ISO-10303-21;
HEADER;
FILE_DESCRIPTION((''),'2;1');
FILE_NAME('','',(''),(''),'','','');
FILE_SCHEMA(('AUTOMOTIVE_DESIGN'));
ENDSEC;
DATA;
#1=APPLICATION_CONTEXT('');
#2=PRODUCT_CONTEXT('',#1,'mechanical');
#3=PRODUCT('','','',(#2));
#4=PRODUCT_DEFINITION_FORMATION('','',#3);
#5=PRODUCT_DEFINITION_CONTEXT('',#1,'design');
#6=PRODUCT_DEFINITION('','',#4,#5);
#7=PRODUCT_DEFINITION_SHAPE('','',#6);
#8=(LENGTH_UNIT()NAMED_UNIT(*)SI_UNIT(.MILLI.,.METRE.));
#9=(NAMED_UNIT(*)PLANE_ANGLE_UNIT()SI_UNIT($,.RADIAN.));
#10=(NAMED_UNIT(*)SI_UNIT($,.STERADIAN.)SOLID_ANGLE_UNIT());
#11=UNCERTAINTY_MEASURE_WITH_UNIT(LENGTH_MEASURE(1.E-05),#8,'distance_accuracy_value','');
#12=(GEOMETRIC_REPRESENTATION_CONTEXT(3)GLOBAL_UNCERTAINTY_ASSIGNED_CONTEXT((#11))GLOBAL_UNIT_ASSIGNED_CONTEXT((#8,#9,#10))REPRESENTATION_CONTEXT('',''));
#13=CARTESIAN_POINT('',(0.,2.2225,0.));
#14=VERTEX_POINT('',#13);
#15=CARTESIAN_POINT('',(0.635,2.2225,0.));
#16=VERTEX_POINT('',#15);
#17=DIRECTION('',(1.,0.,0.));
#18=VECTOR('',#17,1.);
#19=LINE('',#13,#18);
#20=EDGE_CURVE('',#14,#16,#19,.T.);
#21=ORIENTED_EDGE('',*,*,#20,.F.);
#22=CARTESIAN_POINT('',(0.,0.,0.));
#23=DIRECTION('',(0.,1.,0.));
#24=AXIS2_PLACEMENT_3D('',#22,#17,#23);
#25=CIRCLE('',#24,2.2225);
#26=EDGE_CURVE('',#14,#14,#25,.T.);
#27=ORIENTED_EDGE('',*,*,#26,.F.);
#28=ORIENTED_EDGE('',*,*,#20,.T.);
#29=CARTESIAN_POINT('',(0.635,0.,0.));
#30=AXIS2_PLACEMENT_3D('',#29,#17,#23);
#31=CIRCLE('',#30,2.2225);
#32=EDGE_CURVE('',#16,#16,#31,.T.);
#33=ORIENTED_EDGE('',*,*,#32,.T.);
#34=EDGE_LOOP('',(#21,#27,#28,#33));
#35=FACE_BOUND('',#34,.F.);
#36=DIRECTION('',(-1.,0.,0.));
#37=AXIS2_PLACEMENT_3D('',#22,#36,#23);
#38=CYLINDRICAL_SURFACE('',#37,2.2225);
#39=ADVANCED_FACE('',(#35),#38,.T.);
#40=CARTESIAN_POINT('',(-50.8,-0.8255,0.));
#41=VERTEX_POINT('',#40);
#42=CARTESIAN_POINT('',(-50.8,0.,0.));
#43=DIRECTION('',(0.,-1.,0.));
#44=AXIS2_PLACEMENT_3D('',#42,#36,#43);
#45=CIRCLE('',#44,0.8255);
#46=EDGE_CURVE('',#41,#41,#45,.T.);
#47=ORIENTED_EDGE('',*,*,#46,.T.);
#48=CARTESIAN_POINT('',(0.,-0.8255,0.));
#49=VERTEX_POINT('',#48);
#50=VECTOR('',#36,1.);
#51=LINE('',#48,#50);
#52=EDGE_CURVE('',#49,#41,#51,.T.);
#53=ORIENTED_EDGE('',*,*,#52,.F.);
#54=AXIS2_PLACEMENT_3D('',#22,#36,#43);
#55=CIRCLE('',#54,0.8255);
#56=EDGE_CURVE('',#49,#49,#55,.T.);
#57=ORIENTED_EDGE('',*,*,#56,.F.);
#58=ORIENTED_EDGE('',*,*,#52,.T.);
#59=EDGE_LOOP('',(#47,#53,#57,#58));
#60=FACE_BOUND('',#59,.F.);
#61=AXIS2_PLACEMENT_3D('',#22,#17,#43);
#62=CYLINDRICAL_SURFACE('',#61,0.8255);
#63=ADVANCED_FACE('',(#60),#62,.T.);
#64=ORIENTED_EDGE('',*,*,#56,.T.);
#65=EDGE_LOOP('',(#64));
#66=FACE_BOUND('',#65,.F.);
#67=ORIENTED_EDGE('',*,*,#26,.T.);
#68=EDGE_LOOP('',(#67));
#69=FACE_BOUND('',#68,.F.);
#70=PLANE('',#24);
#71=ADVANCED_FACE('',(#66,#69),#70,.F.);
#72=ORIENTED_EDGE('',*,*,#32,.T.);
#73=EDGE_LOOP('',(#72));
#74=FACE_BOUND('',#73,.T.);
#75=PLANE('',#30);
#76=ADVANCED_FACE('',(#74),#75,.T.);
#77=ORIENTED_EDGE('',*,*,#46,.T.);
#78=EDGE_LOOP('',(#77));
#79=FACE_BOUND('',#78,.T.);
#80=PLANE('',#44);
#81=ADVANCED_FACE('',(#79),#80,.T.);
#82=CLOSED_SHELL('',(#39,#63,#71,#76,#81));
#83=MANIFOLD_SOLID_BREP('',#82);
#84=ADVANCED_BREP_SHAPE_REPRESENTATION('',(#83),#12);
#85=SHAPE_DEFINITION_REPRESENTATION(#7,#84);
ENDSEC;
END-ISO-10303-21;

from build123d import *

# Parameters (mm, degrees)
F0_R     = 2.2225
F1_DEPTH = 0.635
F2_R     = 0.8255
F3_DEPTH = 50.8


with BuildPart() as f1:
    # F0 (on Right) → F1 (new body)
    with BuildSketch(Plane.YZ):
        Circle(F0_R)
    extrude(amount=F1_DEPTH)

    # F2 (on face) → F3 (join)
    with BuildSketch(Plane(origin=(0, 0, 0), x_dir=(0, -1, 0), z_dir=(-1, 0, 0))):
        Circle(F2_R)
    extrude(amount=F3_DEPTH)


solid = f1.part
